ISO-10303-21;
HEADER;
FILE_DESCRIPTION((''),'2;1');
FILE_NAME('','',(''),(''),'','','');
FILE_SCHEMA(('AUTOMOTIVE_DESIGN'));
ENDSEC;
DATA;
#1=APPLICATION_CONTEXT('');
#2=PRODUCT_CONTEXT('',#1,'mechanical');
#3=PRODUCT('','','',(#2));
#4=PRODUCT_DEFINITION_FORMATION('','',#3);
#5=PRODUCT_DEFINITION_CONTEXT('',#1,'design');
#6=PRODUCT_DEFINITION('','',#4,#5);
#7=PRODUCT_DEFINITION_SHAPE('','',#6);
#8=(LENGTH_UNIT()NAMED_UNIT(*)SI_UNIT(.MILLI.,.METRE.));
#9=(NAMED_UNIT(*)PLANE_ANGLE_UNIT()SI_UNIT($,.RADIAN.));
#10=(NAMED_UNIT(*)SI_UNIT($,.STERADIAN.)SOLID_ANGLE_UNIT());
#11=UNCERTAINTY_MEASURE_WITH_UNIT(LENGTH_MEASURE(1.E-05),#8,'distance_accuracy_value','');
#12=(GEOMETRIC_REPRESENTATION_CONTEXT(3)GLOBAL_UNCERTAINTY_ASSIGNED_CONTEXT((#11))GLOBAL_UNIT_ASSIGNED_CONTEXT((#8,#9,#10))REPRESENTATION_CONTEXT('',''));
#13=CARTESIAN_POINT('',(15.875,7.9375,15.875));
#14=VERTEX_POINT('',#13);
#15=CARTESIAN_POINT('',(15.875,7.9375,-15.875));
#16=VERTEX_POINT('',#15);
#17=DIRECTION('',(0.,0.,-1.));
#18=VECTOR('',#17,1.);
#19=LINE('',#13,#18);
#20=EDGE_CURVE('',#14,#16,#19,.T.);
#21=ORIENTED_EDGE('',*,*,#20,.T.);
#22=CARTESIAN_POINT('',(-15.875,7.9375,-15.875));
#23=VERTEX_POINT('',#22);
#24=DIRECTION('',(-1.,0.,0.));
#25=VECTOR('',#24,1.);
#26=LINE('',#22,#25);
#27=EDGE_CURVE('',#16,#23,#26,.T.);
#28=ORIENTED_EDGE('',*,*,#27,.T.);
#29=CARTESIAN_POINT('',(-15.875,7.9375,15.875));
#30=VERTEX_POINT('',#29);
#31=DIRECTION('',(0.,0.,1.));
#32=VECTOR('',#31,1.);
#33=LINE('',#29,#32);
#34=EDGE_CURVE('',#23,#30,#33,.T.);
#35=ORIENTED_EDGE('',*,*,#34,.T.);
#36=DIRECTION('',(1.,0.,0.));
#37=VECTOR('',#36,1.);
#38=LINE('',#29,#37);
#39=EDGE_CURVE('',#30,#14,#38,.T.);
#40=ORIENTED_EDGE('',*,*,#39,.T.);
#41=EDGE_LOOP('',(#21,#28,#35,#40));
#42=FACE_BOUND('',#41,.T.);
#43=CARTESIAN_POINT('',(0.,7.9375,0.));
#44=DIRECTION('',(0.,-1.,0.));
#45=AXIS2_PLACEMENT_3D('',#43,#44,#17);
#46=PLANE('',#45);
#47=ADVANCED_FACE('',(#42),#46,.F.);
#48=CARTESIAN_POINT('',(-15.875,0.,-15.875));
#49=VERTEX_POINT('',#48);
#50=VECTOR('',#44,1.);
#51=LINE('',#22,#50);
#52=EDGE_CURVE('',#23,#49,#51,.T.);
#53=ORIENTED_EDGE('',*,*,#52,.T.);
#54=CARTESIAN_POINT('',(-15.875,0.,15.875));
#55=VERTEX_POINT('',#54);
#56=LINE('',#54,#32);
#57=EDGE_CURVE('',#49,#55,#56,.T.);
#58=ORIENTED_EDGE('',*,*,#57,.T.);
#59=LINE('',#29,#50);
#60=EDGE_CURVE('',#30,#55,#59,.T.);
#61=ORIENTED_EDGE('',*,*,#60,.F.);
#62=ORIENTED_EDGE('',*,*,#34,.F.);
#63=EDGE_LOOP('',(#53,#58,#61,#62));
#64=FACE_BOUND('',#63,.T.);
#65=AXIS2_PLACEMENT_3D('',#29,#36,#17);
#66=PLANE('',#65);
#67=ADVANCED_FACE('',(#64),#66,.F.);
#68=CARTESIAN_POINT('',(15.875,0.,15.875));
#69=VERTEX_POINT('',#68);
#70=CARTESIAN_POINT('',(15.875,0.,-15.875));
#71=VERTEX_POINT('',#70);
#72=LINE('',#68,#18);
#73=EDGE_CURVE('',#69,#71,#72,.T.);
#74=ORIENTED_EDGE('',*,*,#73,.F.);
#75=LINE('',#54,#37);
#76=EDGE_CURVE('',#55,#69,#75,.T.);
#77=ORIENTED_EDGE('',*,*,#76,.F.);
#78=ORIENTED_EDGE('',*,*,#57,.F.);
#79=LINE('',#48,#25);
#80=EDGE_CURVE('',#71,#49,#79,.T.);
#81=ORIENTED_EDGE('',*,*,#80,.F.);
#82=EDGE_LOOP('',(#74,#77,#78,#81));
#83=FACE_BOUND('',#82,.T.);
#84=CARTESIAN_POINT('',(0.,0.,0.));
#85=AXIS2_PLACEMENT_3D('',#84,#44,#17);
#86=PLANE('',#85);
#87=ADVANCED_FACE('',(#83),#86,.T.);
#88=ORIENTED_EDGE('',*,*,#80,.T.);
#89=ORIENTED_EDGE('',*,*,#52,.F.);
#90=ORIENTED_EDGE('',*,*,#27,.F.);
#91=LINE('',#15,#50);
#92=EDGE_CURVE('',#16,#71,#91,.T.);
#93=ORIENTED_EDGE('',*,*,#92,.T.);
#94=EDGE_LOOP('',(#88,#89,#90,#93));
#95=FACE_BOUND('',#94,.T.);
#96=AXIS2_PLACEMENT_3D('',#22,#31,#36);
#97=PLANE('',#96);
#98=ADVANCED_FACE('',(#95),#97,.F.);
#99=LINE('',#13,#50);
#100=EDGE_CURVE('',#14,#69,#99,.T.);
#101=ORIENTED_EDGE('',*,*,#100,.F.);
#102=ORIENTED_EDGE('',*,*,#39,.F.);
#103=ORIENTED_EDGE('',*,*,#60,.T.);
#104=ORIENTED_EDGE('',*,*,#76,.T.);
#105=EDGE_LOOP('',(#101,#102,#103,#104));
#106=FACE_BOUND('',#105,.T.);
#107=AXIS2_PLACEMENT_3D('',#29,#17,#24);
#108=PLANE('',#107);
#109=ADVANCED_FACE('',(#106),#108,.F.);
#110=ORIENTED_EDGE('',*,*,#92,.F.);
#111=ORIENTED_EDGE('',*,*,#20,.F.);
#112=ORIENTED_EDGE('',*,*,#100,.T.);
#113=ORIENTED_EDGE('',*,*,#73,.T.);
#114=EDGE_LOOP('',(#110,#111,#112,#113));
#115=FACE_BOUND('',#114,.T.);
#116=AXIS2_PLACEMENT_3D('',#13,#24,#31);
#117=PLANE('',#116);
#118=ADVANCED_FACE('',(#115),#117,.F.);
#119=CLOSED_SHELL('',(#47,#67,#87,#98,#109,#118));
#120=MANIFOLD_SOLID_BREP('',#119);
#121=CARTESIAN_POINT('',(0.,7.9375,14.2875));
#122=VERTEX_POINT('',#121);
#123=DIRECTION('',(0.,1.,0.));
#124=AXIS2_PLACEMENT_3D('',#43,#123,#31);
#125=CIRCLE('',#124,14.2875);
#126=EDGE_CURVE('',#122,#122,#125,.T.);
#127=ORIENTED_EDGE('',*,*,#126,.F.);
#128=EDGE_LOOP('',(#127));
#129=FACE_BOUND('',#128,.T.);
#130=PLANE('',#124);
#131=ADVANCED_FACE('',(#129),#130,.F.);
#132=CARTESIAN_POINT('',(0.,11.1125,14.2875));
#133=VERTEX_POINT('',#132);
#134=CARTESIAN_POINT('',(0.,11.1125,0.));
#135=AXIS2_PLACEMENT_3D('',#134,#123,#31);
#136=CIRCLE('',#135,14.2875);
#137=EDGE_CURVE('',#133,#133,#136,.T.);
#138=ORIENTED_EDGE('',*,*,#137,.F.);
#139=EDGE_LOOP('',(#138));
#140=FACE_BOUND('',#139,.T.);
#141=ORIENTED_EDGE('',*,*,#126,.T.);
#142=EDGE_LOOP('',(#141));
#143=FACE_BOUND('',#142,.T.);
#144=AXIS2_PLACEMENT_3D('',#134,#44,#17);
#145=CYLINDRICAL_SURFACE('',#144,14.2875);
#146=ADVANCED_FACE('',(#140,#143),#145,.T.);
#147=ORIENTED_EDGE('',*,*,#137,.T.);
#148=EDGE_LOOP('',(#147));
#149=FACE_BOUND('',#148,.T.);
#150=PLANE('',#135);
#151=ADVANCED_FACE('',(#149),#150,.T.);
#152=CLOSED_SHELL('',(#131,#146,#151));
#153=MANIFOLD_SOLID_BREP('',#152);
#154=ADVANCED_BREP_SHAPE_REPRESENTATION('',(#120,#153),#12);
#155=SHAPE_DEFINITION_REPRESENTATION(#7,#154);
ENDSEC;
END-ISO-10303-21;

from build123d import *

# Parameters (mm, degrees)
SKETCH2_W           = 31.75
SKETCH2_H           = 31.75
BOSS_EXTRUDE1_DEPTH = 7.9375
SKETCH3_R           = 14.2875
BOSS_EXTRUDE2_DEPTH = 3.175


with BuildPart() as part:
    # Sketch2 → Boss-Extrude1 (new body)
    with BuildSketch(Plane(origin=(0, 0, 0), x_dir=(1, 0, 0), z_dir=(0, 1, 0))):
        Rectangle(SKETCH2_W, SKETCH2_H)
    extrude(amount=BOSS_EXTRUDE1_DEPTH)


with BuildPart() as body_2:
    # Sketch3 → Boss-Extrude2 (new body)
    with BuildSketch(Plane(origin=(0, 7.9375, 0), x_dir=(1, 0, 0), z_dir=(0, 1, 0))):
        with Locations(Location((0, 0, 0), (0, 0, 270))):
            Circle(SKETCH3_R)
    extrude(amount=BOSS_EXTRUDE2_DEPTH)


solid = Compound([part.part, body_2.part])
